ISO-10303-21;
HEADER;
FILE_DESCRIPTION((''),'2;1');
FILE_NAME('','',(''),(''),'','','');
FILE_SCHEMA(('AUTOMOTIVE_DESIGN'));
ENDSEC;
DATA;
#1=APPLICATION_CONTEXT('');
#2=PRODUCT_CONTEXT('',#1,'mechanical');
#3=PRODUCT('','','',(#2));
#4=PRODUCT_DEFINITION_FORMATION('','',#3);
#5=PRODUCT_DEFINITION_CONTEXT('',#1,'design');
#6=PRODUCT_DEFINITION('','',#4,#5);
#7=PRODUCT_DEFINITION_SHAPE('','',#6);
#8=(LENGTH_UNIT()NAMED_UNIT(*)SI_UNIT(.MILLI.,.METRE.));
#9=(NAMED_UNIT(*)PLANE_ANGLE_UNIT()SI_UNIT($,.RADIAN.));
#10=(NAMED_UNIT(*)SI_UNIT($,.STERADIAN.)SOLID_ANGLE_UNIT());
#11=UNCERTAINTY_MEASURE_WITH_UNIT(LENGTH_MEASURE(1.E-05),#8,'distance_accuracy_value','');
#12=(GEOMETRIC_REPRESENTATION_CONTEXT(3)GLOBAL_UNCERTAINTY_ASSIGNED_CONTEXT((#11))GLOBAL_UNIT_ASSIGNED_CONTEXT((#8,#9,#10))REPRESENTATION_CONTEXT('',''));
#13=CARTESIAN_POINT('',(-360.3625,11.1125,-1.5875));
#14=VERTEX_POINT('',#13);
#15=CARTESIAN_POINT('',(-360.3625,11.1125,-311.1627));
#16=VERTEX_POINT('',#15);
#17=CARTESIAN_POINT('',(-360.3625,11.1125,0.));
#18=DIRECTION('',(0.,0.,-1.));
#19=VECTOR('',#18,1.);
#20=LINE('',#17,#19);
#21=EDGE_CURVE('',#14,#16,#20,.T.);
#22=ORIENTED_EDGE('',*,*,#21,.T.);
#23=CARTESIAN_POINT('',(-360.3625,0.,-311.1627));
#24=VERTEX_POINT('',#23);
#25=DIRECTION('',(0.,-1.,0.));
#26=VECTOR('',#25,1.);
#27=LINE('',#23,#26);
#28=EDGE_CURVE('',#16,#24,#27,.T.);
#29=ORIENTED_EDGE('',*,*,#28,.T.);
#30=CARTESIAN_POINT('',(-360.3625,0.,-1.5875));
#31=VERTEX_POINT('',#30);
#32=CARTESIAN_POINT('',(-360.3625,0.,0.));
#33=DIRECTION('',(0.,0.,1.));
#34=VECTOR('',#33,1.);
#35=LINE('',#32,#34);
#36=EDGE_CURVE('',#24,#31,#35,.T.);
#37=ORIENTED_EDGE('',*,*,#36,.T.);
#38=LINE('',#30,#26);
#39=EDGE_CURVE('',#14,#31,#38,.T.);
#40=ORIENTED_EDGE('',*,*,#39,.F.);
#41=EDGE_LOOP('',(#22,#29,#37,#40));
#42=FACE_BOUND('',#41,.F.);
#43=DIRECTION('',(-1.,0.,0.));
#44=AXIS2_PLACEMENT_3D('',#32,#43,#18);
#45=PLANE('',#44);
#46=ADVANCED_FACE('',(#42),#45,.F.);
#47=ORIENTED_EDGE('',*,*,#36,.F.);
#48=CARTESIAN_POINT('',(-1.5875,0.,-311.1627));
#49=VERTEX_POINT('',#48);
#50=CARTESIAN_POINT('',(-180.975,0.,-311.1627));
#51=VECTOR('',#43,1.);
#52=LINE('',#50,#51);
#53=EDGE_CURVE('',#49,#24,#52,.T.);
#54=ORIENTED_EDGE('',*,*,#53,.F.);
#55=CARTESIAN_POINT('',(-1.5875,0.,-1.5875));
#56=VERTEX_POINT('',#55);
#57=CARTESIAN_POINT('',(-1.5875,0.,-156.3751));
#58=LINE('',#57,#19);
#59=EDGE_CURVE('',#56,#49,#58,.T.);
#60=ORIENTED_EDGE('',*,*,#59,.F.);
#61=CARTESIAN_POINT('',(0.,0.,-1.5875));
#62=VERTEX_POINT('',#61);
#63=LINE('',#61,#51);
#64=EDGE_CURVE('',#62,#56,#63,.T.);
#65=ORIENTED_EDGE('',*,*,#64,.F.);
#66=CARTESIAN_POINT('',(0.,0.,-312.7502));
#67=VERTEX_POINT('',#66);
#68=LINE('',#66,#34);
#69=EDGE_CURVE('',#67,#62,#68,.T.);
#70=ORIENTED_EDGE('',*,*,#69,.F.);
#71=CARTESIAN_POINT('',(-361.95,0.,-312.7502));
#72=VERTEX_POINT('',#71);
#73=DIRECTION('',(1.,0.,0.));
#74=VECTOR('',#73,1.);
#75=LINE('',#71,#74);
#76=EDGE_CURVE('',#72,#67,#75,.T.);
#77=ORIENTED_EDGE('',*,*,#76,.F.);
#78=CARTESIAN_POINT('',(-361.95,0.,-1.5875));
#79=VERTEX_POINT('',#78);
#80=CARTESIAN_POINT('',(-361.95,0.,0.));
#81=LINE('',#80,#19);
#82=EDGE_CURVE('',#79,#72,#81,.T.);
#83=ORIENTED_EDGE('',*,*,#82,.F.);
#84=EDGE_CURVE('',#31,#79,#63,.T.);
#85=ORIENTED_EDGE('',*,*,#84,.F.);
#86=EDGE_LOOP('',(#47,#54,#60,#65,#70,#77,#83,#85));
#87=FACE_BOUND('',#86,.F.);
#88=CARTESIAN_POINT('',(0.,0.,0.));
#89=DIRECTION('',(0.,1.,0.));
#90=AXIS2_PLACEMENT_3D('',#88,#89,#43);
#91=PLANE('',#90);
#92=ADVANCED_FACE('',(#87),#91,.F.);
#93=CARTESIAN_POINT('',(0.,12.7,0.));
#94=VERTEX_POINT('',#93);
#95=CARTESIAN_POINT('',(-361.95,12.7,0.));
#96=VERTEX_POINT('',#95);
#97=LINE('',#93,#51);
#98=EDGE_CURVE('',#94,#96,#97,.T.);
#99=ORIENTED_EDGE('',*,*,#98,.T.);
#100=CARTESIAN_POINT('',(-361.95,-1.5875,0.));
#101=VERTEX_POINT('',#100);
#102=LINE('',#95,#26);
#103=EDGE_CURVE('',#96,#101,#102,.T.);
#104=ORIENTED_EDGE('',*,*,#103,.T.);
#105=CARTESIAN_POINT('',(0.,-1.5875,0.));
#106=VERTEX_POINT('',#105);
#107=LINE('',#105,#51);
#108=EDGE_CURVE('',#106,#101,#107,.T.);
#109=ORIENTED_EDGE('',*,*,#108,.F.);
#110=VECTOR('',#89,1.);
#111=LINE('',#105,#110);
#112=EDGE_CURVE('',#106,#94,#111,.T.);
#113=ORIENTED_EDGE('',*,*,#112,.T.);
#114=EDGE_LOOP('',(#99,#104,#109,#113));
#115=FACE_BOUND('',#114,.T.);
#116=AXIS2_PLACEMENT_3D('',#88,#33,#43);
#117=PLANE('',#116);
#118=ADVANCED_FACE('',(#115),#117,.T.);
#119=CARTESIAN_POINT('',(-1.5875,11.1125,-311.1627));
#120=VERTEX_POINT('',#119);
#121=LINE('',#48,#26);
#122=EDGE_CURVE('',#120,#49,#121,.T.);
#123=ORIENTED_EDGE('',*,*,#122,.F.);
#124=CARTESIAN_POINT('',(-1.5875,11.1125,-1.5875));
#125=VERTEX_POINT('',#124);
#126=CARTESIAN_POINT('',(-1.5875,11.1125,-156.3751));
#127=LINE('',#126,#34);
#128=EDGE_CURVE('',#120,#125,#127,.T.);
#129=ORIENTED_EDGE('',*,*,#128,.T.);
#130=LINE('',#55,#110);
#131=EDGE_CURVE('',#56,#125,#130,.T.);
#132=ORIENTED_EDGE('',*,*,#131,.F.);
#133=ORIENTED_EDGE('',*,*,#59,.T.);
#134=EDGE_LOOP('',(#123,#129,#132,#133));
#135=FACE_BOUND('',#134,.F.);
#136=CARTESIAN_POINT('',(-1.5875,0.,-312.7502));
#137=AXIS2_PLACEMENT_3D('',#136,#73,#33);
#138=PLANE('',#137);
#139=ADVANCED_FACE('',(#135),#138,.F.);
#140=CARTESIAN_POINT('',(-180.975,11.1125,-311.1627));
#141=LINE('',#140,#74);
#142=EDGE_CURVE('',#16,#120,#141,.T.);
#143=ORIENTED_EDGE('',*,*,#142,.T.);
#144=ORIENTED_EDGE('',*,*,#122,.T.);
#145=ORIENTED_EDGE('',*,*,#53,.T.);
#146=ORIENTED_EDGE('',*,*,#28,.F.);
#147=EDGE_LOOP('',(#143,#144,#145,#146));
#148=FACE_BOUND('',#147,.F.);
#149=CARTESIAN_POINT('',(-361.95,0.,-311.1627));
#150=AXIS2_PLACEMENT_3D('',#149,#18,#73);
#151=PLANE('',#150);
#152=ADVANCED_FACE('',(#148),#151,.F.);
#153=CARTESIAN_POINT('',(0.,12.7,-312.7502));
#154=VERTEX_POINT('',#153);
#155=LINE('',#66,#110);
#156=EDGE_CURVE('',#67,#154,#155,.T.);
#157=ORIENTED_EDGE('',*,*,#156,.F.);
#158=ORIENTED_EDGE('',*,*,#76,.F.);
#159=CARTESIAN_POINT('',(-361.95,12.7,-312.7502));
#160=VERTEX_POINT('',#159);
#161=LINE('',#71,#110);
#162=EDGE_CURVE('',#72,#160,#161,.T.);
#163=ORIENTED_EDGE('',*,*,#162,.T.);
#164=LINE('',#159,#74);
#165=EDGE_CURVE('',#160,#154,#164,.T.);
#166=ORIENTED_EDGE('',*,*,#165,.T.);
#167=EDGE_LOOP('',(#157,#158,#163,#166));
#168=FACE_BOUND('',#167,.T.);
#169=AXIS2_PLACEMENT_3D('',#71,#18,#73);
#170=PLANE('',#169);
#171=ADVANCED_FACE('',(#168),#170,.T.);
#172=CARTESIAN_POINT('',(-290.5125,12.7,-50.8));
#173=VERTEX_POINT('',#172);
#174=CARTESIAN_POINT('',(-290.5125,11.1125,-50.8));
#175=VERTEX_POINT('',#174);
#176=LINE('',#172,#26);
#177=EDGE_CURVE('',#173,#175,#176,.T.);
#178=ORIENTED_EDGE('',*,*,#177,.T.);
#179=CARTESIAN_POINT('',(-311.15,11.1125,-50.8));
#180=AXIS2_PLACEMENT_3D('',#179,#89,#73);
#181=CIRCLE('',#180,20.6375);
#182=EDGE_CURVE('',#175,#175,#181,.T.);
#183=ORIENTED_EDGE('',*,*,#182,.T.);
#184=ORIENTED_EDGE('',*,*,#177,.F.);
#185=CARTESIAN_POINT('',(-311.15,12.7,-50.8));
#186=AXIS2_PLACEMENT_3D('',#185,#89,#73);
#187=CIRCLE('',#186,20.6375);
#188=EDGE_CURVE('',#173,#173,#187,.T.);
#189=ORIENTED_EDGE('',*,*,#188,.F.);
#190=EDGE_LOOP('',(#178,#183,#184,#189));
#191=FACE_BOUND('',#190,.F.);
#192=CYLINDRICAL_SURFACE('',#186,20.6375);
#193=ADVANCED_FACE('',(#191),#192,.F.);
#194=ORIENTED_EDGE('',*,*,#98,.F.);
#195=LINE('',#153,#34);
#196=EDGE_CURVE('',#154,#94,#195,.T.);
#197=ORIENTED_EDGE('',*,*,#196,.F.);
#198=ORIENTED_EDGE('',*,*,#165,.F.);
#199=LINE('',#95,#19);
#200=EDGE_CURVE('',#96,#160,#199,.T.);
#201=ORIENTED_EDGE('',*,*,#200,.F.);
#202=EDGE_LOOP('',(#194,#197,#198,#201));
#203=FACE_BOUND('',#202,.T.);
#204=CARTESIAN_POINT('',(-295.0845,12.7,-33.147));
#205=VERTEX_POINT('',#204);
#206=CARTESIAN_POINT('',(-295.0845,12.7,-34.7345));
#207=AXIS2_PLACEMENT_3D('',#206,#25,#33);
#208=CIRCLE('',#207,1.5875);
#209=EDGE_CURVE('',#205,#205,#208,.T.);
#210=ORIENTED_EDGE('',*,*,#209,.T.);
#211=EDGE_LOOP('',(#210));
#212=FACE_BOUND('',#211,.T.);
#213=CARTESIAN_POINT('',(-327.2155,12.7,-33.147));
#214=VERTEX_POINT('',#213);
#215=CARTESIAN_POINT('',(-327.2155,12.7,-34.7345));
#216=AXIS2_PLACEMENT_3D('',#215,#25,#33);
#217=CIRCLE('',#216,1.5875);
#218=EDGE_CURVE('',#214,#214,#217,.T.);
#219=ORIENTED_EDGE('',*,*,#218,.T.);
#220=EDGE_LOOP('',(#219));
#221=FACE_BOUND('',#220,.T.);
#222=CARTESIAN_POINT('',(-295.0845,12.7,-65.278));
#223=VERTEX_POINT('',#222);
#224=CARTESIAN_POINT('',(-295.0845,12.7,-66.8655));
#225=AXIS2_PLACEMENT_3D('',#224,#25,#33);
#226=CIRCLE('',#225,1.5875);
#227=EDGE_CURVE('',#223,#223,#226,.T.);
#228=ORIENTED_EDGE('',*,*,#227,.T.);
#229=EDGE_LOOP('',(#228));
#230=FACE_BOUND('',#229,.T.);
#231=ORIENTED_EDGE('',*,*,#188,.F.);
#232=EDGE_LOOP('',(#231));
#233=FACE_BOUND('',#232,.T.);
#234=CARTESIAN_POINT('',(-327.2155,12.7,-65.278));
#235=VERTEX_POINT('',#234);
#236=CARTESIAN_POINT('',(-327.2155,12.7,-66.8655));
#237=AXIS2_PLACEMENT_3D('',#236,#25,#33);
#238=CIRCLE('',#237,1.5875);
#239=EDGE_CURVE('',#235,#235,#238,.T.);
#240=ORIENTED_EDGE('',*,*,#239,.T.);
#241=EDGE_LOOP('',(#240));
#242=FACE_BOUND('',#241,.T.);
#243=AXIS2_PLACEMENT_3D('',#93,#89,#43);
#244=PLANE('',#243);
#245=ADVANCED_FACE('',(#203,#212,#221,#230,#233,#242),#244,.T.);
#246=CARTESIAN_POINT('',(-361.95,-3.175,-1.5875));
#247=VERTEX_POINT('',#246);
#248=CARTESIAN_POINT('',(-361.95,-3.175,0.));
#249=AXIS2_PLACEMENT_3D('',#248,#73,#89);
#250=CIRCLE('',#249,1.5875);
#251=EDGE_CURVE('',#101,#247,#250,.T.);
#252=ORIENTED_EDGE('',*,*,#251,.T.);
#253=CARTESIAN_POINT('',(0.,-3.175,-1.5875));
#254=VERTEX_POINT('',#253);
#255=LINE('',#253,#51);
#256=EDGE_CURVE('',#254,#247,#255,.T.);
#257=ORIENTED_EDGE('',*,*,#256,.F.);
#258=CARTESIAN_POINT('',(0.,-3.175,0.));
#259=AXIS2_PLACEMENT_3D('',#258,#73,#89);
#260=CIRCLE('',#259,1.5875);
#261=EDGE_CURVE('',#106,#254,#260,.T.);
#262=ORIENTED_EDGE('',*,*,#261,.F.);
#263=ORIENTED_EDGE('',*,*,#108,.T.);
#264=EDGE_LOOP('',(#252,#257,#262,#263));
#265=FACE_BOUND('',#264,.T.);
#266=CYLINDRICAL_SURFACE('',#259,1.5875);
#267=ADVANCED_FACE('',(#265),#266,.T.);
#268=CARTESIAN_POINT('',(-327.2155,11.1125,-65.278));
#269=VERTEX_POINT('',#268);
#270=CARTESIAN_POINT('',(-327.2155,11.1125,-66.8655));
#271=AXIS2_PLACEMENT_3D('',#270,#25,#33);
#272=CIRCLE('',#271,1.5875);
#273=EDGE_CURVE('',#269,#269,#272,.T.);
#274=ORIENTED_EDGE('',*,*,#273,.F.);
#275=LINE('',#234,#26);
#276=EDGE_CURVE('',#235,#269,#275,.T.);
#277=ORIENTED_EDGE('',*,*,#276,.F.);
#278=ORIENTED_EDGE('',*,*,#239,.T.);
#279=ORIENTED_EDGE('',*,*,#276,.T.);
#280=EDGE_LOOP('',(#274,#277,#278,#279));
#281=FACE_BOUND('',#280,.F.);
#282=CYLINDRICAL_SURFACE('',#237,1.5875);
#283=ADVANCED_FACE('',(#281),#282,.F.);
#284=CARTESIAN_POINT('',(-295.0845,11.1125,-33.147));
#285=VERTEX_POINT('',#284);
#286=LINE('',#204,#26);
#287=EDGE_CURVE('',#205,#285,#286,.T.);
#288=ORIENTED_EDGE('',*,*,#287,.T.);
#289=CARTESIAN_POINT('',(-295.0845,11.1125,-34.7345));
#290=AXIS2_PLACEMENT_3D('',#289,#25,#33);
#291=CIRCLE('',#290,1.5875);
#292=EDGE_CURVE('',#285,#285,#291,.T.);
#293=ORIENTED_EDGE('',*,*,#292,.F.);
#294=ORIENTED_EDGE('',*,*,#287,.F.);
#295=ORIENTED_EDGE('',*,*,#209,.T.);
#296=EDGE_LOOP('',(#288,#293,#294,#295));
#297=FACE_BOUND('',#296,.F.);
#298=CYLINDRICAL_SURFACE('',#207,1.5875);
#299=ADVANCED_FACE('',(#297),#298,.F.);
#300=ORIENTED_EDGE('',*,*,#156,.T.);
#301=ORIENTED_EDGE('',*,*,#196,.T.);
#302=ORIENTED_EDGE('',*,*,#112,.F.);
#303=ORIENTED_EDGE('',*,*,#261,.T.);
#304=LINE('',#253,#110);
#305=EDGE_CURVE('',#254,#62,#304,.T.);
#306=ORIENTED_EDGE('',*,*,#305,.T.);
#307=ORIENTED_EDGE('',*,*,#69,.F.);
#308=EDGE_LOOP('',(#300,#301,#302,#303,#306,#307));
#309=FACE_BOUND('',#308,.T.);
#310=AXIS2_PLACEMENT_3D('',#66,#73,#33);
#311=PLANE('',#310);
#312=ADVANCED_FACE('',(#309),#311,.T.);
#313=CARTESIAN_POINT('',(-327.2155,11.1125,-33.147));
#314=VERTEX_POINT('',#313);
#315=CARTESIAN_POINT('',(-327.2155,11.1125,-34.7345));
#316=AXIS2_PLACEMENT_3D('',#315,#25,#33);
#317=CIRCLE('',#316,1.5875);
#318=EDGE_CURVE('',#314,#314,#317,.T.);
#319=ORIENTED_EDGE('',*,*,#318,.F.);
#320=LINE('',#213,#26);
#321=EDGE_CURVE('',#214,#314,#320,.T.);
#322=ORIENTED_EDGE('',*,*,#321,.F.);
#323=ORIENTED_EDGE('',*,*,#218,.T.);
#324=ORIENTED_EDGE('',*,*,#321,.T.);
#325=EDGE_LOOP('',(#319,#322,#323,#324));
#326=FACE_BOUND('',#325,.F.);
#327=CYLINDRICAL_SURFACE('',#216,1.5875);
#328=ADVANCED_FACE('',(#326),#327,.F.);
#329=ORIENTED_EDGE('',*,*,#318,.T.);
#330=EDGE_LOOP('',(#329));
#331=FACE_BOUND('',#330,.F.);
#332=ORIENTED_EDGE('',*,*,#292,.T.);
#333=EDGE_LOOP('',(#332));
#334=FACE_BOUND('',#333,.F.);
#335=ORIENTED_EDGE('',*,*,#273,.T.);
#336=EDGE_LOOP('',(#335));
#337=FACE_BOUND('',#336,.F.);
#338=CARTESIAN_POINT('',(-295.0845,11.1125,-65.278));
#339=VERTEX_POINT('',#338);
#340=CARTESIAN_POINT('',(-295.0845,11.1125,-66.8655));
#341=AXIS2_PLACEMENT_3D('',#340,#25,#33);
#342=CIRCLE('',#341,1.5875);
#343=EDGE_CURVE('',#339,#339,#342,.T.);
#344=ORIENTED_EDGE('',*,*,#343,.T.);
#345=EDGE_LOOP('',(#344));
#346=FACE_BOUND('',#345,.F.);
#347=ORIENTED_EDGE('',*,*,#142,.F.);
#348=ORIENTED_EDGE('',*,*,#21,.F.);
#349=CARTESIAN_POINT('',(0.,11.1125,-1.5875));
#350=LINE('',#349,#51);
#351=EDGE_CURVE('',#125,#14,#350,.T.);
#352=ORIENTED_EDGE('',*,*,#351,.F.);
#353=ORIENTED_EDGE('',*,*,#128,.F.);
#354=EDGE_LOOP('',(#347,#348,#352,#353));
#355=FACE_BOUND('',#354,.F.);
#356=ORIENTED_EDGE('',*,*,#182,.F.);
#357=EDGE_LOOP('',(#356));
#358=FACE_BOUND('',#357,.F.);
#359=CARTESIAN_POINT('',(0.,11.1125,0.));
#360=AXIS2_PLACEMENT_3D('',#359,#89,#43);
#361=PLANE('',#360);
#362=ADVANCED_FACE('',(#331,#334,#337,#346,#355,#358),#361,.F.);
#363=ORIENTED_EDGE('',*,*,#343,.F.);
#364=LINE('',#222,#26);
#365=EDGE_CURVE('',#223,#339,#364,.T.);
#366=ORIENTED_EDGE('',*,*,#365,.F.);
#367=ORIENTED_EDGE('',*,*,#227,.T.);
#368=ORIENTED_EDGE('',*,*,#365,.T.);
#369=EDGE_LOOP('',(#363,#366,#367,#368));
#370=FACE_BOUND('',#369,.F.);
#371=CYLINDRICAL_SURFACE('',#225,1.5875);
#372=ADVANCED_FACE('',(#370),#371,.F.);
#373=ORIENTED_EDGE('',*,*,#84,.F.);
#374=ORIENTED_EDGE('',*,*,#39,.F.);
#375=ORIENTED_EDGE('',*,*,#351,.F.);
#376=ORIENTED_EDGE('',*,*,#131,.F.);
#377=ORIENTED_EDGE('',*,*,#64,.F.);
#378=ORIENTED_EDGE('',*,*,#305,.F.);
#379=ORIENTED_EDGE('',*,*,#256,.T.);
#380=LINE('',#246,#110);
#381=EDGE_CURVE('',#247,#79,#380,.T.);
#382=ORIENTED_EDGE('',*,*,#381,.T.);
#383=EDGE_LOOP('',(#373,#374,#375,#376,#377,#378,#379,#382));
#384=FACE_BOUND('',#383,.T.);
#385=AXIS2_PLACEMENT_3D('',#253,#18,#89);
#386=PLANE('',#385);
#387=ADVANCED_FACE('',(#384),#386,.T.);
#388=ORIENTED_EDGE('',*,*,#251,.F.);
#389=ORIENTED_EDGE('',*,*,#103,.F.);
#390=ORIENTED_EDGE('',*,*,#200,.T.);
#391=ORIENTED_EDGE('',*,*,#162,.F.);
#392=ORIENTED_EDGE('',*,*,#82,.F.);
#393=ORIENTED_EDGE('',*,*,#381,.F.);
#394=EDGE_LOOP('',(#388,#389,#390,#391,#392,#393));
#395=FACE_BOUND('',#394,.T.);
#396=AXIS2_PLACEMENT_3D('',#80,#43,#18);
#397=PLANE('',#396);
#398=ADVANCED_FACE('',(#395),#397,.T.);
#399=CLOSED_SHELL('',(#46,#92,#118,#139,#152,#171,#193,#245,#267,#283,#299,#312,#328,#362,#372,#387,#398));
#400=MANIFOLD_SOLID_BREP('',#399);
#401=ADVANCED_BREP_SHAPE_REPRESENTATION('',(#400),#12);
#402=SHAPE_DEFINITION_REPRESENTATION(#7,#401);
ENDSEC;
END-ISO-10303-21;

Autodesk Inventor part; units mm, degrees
ref_plane "YZ Plane" through (0, 0, 0) normal (1, 0, 0) x (0, 1, 0)
ref_plane "XZ Plane" through (0, 0, 0) normal (0, 1, 0) x (-1, 0, 0)
ref_plane "XY Plane" through (0, 0, 0) normal (0, 0, 1) x (1, 0, 0)
sketch "Sketch1" plane through (0, 0, 0) normal (0, 1, 0) x (-1, 0, 0)
  line L0 (0, 0) -> (361.95, 0)
  line L1 (361.95, 0) -> (361.95, -312.7502)
  line L2 (361.95, -312.7502) -> (0, -312.7502)
  line L3 (0, -312.7502) -> (0, 0)
  dimension "d0" = 361.95
  dimension "d1" = 312.7502
extrude "Extrusion1" add sketch "Sketch1" along normal blind 12.7
shell "Shell1" thickness 1.5875 removed faces 1 at (-120.65, 0, -104.2501)
sketch "Sketch2" plane through (0, 0, 0) normal (1, 0, 0) x (0, 0, -1)
  line L0 (0, 0) -> (0, -3.175)
  arc A0 (0, -1.5875) -> (1.5875, -3.175) centre (0, -3.175) ccw
  line L1 (1.5875, -3.175) -> (1.5875, 0)
  line L2 (312.7502, 0) -> (0, 0) projected
  line L3 (1.5875, 0) -> (0, 0)
  dimension "d5" = 3.175
  dimension "d6" = 3.175
extrude "Extrusion2" add sketch "Sketch2" against normal up to surface (361.95 mm away)
sketch "Sketch3" plane through (0, 12.7, 0) normal (0, 1, 0) x (1, 0, 0)
  line L0 (-361.95, 312.7502) -> (-361.95, 0) construction
  line L1 (-361.95, 0) -> (-311.15, 0) construction
  line L2 (-311.15, 0) -> (-311.15, 50.8) construction
  line L3 (-311.15, 50.8) -> (-361.95, 50.8) construction
  line L4 (-361.95, 50.8) -> (-361.95, 0) construction
  circle A0 centre (-311.15, 50.8) radius 20.6375
  point P0 (0, 0)
  dimension "d9" = 50.8
  dimension "d10" = 50.8
  dimension "d11" = 41.275
extrude "Extrusion3" cut sketch "Sketch3" against normal blind 12.7
sketch "Sketch4" plane through (0, 12.7, 0) normal (0, 1, 0) x (1, 0, 0)
  circle A0 centre (-311.15, 50.8) radius 20.6375 construction
  line L0 (-311.15, 50.8) -> (-295.0845, 50.8) construction
  line L1 (-295.0845, 50.8) -> (-295.0845, 66.8655) construction
  line L2 (-295.0845, 66.8655) -> (-311.15, 66.8655) construction
  line L3 (-311.15, 66.8655) -> (-311.15, 50.8) construction
  line L4 (-311.15, 50.8) -> (-327.2155, 50.8) construction
  line L5 (-327.2155, 50.8) -> (-327.2155, 34.7345) construction
  line L6 (-327.2155, 34.7345) -> (-311.15, 34.7345) construction
  line L7 (-311.15, 34.7345) -> (-311.15, 50.8) construction
  line L8 (-295.0845, 66.8655) -> (-327.2155, 66.8655)
  line L9 (-327.2155, 66.8655) -> (-327.2155, 34.7345)
  line L10 (-327.2155, 34.7345) -> (-295.0845, 34.7345)
  line L11 (-295.0845, 34.7345) -> (-295.0845, 66.8655)
  point P0 (0, 0)
  dimension "d14" = 16.0655
  dimension "d15" = 16.0655
  dimension "d16" = 16.0655
  dimension "d17" = 16.0655
hole "Hole1" at (-327.2155, 12.7, -66.8655) at (-295.0845, 12.7, -66.8655) at (-295.0845, 12.7, -34.7345) at (-327.2155, 12.7, -34.7345) direction (0, -1, 0) diameter 3.175 depth 25.4 tip angle 118
equation "\"d15\" = d14"
equation "\"d16\" = d14"
equation "\"d17\" = d14"
properties part number "lid" material "Steel"
